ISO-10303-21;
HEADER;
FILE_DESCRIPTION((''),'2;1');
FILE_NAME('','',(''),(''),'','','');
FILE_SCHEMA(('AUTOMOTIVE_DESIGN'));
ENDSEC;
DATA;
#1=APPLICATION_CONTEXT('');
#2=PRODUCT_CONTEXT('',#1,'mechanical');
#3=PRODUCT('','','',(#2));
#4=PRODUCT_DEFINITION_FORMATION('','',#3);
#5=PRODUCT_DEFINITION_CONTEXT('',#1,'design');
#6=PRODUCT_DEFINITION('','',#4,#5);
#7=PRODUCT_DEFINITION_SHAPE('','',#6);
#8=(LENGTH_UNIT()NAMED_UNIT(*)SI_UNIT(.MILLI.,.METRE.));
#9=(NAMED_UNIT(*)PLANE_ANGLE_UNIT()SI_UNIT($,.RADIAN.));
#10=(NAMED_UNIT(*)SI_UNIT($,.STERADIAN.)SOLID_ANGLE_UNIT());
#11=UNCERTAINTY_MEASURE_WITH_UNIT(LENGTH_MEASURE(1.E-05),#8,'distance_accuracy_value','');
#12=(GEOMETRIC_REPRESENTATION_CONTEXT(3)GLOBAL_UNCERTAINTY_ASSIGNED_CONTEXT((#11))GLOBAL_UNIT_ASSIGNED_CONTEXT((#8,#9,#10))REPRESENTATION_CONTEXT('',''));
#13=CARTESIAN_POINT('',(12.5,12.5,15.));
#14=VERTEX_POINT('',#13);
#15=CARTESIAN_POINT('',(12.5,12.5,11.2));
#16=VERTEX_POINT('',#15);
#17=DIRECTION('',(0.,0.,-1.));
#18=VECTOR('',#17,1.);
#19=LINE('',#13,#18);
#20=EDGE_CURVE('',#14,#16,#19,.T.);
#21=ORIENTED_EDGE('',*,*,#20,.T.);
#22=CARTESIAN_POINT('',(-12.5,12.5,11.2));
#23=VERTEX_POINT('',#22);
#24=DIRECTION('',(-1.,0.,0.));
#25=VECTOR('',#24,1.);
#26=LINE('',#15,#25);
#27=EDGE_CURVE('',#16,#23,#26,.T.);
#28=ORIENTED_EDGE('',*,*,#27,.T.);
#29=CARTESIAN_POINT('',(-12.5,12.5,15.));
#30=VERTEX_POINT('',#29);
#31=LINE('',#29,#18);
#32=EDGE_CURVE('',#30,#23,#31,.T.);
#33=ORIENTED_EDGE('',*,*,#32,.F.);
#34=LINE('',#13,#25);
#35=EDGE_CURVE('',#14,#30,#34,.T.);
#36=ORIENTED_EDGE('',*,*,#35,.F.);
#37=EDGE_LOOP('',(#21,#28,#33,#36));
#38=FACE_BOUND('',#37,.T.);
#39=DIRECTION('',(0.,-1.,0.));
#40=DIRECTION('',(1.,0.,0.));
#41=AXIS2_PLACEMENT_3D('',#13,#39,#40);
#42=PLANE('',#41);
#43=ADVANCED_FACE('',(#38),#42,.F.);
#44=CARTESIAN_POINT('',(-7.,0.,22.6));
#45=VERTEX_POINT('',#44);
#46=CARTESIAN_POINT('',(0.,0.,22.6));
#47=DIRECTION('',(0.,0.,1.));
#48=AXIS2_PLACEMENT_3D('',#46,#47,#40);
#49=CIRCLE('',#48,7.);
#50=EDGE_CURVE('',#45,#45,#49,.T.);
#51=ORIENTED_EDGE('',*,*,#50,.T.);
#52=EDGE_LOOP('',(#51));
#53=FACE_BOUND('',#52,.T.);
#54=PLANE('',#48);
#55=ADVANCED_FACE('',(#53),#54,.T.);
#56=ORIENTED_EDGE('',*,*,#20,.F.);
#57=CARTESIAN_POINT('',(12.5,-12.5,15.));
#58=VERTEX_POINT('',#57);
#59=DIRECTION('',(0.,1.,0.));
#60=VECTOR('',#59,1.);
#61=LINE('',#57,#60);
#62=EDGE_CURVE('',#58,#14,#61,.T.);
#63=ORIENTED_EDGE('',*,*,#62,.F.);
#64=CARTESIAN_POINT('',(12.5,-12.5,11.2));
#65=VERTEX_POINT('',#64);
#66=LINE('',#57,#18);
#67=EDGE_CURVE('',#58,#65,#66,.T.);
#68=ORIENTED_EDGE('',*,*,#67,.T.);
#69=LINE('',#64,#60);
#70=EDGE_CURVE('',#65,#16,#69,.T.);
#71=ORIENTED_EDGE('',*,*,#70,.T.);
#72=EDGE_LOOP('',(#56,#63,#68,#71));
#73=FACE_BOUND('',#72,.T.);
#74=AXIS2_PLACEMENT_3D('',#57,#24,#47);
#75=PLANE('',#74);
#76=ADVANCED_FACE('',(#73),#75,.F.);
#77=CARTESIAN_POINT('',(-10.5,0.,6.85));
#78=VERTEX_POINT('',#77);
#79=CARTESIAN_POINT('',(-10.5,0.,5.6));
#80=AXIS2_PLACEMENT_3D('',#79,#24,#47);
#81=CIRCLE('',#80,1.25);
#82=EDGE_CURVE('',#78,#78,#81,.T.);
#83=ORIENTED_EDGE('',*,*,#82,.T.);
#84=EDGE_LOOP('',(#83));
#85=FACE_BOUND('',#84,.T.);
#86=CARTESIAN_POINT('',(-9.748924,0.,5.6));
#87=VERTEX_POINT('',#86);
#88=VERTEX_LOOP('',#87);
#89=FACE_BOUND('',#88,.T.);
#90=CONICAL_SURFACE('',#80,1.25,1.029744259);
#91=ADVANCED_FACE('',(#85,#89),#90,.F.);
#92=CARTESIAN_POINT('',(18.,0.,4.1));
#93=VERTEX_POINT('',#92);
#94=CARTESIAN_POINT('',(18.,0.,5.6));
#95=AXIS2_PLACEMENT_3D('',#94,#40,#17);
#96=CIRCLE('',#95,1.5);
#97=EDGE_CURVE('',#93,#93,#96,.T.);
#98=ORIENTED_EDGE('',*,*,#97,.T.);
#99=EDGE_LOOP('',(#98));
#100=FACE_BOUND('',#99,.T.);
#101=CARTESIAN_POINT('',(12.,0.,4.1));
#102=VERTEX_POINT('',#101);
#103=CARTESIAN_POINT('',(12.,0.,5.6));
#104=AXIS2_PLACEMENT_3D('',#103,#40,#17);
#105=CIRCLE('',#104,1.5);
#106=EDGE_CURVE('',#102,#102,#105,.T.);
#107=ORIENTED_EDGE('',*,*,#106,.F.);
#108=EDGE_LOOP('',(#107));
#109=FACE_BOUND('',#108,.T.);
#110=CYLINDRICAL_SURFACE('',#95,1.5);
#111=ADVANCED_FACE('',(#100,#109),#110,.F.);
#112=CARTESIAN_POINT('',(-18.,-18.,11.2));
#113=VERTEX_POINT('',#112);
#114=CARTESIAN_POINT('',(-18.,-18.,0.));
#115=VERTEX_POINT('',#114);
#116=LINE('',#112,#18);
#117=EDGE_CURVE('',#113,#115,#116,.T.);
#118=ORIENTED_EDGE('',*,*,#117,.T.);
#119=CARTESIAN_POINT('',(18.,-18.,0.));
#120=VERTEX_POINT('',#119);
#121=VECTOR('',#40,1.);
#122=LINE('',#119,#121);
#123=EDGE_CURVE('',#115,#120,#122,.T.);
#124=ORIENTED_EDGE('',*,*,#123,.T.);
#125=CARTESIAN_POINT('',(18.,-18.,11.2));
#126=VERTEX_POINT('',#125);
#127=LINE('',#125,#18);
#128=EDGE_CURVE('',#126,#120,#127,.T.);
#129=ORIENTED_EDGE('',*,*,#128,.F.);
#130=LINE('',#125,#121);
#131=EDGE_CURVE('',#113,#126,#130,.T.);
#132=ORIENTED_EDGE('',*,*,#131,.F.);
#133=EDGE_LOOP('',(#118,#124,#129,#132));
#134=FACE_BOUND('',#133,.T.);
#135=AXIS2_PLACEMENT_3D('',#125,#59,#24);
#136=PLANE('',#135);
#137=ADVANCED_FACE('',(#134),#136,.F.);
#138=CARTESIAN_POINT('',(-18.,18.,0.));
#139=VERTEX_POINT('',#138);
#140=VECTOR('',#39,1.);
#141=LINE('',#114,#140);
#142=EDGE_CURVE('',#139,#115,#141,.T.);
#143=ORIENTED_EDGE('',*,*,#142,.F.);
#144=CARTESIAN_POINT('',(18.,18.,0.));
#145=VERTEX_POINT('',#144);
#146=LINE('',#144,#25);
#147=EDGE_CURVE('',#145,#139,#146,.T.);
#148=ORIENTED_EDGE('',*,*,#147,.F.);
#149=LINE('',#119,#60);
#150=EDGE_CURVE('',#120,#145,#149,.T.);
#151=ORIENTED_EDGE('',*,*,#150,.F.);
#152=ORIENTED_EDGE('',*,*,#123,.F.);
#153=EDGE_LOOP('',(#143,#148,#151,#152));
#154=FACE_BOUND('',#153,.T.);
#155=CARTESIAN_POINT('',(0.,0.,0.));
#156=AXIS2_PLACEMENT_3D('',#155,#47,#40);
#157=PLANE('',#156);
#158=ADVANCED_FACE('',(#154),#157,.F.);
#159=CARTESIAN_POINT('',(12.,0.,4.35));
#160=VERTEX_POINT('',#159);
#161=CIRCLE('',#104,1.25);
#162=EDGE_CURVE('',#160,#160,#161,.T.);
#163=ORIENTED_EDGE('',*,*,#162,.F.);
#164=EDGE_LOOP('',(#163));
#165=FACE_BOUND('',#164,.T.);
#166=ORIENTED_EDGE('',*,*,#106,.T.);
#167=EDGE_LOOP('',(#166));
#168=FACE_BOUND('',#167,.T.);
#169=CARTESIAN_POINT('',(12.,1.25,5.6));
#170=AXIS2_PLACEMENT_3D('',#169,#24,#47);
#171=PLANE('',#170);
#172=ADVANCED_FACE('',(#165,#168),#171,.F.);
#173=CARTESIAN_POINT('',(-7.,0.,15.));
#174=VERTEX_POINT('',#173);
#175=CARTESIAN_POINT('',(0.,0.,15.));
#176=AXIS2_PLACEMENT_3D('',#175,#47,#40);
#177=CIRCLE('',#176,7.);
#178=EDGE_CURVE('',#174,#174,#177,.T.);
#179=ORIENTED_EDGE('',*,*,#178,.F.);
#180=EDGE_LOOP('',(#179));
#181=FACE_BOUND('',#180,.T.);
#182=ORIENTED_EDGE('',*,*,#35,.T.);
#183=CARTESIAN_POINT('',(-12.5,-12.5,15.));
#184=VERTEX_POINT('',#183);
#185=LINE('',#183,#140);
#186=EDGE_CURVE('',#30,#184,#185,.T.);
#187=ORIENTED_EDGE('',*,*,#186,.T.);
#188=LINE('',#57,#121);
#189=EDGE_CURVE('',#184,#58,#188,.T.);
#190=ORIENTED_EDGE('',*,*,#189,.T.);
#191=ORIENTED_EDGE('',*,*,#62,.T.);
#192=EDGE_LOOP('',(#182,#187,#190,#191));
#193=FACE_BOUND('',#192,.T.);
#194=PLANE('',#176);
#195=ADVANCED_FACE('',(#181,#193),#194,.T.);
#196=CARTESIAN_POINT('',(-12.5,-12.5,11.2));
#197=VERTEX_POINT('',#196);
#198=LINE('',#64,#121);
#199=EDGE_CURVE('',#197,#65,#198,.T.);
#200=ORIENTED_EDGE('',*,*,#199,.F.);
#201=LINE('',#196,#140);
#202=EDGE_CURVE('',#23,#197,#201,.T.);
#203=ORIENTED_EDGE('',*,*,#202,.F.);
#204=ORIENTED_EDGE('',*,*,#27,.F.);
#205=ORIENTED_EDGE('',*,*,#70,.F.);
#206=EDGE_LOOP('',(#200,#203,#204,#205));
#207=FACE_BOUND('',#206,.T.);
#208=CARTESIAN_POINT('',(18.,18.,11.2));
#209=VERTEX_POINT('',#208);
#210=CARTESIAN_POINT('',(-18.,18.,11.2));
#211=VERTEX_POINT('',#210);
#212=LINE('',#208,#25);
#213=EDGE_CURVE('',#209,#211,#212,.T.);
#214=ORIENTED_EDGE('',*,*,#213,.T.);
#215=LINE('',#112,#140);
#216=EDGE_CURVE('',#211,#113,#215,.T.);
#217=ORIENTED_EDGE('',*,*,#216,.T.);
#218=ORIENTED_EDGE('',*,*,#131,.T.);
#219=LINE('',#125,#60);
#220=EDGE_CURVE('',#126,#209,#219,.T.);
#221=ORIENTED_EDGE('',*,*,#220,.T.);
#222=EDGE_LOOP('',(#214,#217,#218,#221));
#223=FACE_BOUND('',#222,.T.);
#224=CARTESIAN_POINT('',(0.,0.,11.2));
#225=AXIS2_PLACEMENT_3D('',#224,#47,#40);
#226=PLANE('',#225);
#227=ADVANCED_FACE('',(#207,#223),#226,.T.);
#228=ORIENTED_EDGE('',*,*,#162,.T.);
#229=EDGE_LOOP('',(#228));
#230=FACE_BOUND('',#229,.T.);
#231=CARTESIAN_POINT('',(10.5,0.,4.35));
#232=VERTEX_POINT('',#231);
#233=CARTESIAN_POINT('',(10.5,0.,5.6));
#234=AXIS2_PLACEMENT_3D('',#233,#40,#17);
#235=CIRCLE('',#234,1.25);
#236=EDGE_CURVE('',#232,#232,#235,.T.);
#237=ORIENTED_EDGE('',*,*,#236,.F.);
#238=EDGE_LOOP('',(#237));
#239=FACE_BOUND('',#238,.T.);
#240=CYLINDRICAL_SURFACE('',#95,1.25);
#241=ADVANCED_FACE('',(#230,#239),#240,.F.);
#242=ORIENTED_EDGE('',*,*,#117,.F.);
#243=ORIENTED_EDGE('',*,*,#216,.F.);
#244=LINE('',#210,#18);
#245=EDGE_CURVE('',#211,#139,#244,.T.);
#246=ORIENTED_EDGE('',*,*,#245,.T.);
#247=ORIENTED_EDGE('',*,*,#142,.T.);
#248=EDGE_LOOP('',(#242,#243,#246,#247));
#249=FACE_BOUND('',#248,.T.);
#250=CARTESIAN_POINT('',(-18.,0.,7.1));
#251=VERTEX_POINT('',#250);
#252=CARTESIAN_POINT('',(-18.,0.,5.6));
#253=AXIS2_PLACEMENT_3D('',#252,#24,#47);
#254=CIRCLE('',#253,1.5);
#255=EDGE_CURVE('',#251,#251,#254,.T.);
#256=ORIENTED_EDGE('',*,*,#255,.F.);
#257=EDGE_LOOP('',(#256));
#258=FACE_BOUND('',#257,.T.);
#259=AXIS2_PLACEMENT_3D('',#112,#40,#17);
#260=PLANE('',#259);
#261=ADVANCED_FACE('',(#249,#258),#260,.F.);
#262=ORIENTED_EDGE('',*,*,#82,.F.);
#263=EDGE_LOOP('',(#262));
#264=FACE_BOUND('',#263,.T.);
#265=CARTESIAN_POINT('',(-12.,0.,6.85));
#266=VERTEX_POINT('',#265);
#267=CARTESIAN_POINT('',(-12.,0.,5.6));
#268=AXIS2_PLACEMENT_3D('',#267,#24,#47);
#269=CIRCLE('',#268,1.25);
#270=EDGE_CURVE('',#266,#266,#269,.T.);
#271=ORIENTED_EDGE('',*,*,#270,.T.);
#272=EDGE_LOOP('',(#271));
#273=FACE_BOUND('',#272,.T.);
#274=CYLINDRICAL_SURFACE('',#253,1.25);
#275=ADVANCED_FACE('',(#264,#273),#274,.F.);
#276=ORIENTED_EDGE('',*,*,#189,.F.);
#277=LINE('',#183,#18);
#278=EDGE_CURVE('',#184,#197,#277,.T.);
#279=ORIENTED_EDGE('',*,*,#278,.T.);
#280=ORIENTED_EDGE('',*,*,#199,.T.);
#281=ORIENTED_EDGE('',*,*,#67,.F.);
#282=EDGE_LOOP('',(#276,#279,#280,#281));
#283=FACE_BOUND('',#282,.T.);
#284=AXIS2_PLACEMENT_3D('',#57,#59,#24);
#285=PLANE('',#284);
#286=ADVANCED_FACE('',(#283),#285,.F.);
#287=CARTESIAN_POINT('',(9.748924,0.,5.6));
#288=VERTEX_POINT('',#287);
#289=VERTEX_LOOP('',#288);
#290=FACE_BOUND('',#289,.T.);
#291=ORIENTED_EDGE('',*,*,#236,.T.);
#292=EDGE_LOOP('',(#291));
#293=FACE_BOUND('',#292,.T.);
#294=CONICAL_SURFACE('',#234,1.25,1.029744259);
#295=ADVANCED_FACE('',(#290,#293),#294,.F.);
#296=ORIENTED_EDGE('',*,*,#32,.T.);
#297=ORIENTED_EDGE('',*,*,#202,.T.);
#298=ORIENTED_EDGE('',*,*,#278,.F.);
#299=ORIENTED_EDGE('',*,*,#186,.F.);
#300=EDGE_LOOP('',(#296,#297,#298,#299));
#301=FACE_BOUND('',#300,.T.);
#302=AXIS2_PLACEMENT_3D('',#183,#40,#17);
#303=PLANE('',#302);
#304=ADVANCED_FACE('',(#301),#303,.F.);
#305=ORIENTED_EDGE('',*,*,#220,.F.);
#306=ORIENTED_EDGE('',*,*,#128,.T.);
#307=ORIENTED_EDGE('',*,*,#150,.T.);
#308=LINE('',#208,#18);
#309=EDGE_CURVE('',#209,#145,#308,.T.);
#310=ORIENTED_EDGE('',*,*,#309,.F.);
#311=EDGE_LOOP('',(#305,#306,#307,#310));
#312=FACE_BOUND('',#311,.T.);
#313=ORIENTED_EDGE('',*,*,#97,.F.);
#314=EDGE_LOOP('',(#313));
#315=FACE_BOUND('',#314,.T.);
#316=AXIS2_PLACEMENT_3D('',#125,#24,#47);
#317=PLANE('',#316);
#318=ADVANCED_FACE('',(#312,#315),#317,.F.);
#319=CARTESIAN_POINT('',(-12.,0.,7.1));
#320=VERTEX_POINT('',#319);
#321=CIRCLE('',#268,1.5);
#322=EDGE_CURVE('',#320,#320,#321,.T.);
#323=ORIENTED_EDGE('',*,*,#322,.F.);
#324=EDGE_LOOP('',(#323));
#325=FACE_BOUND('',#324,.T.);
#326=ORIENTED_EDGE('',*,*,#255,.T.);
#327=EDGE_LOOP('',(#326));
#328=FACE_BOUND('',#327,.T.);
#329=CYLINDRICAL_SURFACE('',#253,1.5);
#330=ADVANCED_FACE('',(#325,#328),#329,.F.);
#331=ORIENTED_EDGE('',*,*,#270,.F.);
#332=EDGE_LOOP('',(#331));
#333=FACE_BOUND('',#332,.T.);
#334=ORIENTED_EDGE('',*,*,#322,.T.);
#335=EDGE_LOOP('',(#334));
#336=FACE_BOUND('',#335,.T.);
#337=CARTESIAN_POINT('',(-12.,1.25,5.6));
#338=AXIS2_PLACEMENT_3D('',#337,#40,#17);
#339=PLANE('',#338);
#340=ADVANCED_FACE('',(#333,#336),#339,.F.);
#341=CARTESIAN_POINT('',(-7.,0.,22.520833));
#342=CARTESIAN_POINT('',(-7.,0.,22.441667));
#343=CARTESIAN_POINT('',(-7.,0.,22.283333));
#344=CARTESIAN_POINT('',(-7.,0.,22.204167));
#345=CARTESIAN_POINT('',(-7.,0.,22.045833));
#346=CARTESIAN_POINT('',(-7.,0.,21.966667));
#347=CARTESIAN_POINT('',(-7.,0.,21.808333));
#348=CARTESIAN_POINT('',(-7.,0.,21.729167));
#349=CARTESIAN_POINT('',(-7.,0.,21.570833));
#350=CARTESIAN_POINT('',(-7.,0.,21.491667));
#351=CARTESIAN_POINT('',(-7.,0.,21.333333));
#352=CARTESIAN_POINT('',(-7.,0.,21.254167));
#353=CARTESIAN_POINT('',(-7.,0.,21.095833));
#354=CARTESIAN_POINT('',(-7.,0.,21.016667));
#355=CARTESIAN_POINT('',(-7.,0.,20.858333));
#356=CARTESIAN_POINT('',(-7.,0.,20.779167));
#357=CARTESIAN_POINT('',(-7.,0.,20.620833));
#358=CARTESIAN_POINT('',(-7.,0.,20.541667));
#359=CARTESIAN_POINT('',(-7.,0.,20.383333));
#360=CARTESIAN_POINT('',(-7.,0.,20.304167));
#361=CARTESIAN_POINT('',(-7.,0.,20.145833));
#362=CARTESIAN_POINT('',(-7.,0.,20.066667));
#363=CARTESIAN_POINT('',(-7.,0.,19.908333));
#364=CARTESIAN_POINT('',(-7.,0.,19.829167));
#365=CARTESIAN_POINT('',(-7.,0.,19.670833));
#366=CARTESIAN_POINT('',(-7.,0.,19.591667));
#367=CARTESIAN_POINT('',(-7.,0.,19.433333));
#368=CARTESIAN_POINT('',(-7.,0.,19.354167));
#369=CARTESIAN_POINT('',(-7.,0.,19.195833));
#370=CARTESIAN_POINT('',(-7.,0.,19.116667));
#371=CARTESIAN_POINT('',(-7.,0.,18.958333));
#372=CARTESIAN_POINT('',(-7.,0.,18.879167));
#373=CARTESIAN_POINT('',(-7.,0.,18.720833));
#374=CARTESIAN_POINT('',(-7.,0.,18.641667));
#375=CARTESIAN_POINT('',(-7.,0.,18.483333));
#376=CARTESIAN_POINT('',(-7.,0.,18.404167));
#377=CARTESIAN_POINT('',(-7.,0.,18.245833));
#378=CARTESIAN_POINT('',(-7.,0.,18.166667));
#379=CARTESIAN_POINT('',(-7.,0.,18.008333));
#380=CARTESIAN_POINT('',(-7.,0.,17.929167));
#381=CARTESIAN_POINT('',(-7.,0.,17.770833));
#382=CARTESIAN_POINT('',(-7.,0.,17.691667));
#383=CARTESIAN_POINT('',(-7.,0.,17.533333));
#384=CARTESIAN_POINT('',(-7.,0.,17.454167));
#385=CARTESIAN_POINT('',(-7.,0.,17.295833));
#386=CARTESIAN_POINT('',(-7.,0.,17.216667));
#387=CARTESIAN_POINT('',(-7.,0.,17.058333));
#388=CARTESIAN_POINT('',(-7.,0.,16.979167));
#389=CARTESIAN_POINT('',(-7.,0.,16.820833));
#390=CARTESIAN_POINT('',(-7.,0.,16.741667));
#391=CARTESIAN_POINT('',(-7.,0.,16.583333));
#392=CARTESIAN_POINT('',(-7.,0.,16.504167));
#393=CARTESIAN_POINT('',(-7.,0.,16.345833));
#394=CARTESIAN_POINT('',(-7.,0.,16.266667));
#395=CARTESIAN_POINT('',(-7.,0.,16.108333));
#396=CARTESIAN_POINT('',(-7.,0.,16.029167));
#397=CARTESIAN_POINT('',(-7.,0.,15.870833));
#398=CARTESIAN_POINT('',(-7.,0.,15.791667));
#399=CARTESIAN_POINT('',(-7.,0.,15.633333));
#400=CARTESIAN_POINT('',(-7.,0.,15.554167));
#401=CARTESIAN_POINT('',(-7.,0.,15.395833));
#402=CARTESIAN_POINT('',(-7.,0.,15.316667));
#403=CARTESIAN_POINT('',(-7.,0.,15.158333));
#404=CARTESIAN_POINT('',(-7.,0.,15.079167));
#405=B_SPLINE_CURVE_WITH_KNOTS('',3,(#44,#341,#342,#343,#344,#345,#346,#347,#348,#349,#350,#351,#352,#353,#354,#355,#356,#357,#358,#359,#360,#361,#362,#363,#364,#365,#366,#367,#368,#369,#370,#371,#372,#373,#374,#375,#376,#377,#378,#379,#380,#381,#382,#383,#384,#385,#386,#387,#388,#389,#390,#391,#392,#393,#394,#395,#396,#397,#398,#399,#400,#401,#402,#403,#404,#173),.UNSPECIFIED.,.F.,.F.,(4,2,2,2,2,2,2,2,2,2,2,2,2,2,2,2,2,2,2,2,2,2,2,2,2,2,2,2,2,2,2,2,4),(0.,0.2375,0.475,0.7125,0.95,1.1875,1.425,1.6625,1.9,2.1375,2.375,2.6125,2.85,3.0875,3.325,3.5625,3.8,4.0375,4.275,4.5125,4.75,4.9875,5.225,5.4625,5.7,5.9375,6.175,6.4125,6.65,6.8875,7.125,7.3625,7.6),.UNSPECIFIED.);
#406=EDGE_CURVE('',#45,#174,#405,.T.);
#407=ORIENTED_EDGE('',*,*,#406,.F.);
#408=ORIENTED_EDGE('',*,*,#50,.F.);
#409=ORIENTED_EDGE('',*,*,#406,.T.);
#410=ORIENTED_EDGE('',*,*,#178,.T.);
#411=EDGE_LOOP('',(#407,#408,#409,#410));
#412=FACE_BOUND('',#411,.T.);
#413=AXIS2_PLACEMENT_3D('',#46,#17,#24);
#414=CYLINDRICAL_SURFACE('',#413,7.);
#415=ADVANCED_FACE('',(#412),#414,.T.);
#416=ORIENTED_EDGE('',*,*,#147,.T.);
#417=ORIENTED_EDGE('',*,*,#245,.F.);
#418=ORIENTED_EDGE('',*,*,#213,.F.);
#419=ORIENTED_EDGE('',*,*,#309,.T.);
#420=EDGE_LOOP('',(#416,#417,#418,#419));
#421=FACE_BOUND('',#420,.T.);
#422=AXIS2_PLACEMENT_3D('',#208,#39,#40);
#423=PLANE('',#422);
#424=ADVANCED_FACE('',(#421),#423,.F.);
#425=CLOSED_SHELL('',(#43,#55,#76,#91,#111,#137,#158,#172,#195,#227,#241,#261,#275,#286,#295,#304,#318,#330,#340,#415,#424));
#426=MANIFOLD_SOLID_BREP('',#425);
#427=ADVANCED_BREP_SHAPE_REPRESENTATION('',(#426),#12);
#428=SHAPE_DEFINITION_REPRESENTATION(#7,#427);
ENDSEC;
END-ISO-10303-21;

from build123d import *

# Parameters (mm, degrees)
SKETCH_2_W      = 36
SKETCH_2_H      = 36
EXTRUDE_1_DEPTH = 11.2
SKETCH_3_W      = 25
SKETCH_3_H      = 25
EXTRUDE_2_DEPTH = 3.8
SKETCH_4_R      = 7
EXTRUDE_3_DEPTH = 7.6


with BuildPart() as part:
    # 草图2 → 凸台-拉伸1 (new body)
    with BuildSketch(Plane.XY):
        Rectangle(SKETCH_2_W, SKETCH_2_H)
    extrude(amount=EXTRUDE_1_DEPTH)

    # 草图3 → 凸台-拉伸2 (add)
    with BuildSketch(Plane.XY.offset(11.2)):
        Rectangle(SKETCH_3_W, SKETCH_3_H)
    extrude(amount=EXTRUDE_2_DEPTH)

    # 草图4 → 凸台-拉伸3 (add)
    with BuildSketch(Plane.XY.offset(15)):
        with Locations(Location((0, 0, 0), (0, 0, 180))):
            Circle(SKETCH_4_R)
    extrude(amount=EXTRUDE_3_DEPTH)

    # 草图6 → M3 螺纹孔1 (revolve, cut)
    with BuildSketch(Plane(origin=(-18, 0, 5.6), x_dir=(0, 0, 1), z_dir=(0, 1, 0))):
        Polygon((0, 0), (0, 8.251075774), (1.25, 7.5), (1.25, 6), (1.5, 6), (1.5, 0), align=None)
    hole_wizard_m3_1 = revolve(axis=Axis((-24.35, 0, 5.6), (1, 0, 0)), mode=Mode.SUBTRACT)

    # 镜向1: M3 螺纹孔1 across plane
    add(hole_wizard_m3_1.mirror(Plane(origin=(0, 0, 0), x_dir=(0, 0, 1), z_dir=(1, 0, 0))), mode=Mode.SUBTRACT)


solid = part.part
